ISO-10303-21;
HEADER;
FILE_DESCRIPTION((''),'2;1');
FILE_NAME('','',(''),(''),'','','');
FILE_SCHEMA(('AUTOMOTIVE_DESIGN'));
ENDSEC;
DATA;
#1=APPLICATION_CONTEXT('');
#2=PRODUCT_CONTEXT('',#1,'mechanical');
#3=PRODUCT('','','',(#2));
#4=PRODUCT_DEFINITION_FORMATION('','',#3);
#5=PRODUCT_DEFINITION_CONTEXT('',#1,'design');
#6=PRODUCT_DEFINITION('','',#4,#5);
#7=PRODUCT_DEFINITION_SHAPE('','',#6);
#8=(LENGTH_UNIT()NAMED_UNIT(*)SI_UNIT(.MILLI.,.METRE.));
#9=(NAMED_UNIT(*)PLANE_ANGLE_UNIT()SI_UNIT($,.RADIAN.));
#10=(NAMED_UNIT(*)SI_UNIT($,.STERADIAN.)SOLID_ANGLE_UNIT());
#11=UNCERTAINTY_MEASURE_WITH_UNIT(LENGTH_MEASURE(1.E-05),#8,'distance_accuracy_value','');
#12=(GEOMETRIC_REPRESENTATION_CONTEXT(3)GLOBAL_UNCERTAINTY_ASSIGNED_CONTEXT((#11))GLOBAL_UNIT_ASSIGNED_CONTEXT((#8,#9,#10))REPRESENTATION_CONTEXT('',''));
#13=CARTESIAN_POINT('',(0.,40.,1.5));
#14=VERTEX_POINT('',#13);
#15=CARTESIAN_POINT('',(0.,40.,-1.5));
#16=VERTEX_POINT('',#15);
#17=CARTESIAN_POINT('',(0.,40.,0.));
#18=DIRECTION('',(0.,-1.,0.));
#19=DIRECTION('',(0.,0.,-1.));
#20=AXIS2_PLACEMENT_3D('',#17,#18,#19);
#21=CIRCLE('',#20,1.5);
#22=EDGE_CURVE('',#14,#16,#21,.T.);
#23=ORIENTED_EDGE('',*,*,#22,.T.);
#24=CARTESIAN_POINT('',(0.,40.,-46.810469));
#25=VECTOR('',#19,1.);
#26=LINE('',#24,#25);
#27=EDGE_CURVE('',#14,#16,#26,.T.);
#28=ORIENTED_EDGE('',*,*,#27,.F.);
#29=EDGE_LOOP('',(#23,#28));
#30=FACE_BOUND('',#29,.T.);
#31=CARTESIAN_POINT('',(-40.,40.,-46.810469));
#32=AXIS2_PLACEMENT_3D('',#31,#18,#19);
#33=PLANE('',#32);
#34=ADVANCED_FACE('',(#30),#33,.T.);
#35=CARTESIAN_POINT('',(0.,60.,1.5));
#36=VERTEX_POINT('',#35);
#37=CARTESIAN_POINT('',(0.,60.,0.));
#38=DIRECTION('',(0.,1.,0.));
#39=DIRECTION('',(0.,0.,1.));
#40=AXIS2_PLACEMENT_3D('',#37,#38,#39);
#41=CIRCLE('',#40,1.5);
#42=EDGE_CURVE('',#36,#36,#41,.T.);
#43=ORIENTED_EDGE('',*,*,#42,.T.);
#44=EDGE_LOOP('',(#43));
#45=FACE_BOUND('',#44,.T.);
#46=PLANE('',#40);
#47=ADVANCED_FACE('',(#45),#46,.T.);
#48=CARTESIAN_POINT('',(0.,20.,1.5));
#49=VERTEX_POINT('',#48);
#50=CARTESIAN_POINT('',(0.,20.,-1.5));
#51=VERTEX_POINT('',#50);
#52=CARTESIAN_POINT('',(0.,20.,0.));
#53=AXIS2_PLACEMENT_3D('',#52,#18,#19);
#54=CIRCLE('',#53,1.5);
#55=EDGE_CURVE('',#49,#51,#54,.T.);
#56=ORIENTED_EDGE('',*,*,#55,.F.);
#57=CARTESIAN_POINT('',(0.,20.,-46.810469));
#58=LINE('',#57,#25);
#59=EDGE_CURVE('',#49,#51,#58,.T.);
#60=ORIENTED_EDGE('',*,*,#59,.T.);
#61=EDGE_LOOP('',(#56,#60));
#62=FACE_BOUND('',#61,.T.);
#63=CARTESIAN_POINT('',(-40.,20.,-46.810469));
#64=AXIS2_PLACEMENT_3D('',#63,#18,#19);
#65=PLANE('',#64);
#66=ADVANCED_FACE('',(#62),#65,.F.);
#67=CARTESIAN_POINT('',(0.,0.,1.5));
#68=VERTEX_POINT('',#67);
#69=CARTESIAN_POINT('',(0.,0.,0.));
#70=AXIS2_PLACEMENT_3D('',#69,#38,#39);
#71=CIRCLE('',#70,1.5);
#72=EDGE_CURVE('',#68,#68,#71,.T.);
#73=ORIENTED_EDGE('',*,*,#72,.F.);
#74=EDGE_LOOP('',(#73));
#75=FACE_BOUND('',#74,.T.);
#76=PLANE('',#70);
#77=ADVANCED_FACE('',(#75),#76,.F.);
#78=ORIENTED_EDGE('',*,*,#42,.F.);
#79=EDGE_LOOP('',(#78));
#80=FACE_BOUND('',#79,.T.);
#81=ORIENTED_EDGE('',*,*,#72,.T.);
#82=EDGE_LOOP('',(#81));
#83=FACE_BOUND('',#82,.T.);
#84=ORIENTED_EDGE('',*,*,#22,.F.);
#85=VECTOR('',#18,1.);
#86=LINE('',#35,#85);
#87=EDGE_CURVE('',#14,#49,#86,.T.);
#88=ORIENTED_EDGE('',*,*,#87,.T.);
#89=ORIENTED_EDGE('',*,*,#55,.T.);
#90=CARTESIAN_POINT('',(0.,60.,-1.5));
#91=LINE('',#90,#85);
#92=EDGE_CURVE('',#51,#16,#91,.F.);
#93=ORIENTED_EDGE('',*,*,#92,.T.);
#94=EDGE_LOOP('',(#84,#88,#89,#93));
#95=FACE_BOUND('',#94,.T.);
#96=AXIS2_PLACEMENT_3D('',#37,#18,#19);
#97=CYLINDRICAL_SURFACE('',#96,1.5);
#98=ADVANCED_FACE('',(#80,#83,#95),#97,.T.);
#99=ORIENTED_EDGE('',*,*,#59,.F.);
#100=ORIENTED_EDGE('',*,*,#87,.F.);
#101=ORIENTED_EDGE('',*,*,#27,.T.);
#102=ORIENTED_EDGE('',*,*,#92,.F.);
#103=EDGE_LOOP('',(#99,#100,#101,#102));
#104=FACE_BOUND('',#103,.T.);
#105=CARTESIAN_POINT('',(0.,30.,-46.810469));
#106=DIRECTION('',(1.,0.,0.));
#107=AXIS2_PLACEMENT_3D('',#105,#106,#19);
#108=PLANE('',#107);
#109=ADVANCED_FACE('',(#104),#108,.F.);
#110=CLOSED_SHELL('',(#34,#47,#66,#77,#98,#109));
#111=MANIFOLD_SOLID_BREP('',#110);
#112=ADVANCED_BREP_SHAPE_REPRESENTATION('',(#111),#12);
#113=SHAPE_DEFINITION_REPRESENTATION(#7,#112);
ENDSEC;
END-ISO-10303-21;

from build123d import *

# Parameters (mm, degrees)
SKETCH_1_R          = 1.5
EXTRUDE_1_DEPTH     = 60
SKETCH_2_W          = 3.094780934
SKETCH_2_H          = 20
CUT_EXTRUDE_1_DEPTH = 40


with BuildPart() as part:
    # 草图1 → 凸台-拉伸1 (new body)
    with BuildSketch(Plane(origin=(0, 0, 0), x_dir=(1, 0, 0), z_dir=(0, 1, 0))):
        Circle(SKETCH_1_R)
    extrude(amount=EXTRUDE_1_DEPTH)

    # 草图2 → 切除-拉伸1 (cut)
    with BuildSketch(Plane(origin=(0, 0, 0), x_dir=(0, 0, -1), z_dir=(1, 0, 0))):
        with Locations((1.547390467, 30)):
            Rectangle(SKETCH_2_W, SKETCH_2_H)
        with Locations((-1.547390467, 30)):
            Rectangle(SKETCH_2_W, SKETCH_2_H)
    extrude(amount=-CUT_EXTRUDE_1_DEPTH, mode=Mode.SUBTRACT)


solid = part.part
